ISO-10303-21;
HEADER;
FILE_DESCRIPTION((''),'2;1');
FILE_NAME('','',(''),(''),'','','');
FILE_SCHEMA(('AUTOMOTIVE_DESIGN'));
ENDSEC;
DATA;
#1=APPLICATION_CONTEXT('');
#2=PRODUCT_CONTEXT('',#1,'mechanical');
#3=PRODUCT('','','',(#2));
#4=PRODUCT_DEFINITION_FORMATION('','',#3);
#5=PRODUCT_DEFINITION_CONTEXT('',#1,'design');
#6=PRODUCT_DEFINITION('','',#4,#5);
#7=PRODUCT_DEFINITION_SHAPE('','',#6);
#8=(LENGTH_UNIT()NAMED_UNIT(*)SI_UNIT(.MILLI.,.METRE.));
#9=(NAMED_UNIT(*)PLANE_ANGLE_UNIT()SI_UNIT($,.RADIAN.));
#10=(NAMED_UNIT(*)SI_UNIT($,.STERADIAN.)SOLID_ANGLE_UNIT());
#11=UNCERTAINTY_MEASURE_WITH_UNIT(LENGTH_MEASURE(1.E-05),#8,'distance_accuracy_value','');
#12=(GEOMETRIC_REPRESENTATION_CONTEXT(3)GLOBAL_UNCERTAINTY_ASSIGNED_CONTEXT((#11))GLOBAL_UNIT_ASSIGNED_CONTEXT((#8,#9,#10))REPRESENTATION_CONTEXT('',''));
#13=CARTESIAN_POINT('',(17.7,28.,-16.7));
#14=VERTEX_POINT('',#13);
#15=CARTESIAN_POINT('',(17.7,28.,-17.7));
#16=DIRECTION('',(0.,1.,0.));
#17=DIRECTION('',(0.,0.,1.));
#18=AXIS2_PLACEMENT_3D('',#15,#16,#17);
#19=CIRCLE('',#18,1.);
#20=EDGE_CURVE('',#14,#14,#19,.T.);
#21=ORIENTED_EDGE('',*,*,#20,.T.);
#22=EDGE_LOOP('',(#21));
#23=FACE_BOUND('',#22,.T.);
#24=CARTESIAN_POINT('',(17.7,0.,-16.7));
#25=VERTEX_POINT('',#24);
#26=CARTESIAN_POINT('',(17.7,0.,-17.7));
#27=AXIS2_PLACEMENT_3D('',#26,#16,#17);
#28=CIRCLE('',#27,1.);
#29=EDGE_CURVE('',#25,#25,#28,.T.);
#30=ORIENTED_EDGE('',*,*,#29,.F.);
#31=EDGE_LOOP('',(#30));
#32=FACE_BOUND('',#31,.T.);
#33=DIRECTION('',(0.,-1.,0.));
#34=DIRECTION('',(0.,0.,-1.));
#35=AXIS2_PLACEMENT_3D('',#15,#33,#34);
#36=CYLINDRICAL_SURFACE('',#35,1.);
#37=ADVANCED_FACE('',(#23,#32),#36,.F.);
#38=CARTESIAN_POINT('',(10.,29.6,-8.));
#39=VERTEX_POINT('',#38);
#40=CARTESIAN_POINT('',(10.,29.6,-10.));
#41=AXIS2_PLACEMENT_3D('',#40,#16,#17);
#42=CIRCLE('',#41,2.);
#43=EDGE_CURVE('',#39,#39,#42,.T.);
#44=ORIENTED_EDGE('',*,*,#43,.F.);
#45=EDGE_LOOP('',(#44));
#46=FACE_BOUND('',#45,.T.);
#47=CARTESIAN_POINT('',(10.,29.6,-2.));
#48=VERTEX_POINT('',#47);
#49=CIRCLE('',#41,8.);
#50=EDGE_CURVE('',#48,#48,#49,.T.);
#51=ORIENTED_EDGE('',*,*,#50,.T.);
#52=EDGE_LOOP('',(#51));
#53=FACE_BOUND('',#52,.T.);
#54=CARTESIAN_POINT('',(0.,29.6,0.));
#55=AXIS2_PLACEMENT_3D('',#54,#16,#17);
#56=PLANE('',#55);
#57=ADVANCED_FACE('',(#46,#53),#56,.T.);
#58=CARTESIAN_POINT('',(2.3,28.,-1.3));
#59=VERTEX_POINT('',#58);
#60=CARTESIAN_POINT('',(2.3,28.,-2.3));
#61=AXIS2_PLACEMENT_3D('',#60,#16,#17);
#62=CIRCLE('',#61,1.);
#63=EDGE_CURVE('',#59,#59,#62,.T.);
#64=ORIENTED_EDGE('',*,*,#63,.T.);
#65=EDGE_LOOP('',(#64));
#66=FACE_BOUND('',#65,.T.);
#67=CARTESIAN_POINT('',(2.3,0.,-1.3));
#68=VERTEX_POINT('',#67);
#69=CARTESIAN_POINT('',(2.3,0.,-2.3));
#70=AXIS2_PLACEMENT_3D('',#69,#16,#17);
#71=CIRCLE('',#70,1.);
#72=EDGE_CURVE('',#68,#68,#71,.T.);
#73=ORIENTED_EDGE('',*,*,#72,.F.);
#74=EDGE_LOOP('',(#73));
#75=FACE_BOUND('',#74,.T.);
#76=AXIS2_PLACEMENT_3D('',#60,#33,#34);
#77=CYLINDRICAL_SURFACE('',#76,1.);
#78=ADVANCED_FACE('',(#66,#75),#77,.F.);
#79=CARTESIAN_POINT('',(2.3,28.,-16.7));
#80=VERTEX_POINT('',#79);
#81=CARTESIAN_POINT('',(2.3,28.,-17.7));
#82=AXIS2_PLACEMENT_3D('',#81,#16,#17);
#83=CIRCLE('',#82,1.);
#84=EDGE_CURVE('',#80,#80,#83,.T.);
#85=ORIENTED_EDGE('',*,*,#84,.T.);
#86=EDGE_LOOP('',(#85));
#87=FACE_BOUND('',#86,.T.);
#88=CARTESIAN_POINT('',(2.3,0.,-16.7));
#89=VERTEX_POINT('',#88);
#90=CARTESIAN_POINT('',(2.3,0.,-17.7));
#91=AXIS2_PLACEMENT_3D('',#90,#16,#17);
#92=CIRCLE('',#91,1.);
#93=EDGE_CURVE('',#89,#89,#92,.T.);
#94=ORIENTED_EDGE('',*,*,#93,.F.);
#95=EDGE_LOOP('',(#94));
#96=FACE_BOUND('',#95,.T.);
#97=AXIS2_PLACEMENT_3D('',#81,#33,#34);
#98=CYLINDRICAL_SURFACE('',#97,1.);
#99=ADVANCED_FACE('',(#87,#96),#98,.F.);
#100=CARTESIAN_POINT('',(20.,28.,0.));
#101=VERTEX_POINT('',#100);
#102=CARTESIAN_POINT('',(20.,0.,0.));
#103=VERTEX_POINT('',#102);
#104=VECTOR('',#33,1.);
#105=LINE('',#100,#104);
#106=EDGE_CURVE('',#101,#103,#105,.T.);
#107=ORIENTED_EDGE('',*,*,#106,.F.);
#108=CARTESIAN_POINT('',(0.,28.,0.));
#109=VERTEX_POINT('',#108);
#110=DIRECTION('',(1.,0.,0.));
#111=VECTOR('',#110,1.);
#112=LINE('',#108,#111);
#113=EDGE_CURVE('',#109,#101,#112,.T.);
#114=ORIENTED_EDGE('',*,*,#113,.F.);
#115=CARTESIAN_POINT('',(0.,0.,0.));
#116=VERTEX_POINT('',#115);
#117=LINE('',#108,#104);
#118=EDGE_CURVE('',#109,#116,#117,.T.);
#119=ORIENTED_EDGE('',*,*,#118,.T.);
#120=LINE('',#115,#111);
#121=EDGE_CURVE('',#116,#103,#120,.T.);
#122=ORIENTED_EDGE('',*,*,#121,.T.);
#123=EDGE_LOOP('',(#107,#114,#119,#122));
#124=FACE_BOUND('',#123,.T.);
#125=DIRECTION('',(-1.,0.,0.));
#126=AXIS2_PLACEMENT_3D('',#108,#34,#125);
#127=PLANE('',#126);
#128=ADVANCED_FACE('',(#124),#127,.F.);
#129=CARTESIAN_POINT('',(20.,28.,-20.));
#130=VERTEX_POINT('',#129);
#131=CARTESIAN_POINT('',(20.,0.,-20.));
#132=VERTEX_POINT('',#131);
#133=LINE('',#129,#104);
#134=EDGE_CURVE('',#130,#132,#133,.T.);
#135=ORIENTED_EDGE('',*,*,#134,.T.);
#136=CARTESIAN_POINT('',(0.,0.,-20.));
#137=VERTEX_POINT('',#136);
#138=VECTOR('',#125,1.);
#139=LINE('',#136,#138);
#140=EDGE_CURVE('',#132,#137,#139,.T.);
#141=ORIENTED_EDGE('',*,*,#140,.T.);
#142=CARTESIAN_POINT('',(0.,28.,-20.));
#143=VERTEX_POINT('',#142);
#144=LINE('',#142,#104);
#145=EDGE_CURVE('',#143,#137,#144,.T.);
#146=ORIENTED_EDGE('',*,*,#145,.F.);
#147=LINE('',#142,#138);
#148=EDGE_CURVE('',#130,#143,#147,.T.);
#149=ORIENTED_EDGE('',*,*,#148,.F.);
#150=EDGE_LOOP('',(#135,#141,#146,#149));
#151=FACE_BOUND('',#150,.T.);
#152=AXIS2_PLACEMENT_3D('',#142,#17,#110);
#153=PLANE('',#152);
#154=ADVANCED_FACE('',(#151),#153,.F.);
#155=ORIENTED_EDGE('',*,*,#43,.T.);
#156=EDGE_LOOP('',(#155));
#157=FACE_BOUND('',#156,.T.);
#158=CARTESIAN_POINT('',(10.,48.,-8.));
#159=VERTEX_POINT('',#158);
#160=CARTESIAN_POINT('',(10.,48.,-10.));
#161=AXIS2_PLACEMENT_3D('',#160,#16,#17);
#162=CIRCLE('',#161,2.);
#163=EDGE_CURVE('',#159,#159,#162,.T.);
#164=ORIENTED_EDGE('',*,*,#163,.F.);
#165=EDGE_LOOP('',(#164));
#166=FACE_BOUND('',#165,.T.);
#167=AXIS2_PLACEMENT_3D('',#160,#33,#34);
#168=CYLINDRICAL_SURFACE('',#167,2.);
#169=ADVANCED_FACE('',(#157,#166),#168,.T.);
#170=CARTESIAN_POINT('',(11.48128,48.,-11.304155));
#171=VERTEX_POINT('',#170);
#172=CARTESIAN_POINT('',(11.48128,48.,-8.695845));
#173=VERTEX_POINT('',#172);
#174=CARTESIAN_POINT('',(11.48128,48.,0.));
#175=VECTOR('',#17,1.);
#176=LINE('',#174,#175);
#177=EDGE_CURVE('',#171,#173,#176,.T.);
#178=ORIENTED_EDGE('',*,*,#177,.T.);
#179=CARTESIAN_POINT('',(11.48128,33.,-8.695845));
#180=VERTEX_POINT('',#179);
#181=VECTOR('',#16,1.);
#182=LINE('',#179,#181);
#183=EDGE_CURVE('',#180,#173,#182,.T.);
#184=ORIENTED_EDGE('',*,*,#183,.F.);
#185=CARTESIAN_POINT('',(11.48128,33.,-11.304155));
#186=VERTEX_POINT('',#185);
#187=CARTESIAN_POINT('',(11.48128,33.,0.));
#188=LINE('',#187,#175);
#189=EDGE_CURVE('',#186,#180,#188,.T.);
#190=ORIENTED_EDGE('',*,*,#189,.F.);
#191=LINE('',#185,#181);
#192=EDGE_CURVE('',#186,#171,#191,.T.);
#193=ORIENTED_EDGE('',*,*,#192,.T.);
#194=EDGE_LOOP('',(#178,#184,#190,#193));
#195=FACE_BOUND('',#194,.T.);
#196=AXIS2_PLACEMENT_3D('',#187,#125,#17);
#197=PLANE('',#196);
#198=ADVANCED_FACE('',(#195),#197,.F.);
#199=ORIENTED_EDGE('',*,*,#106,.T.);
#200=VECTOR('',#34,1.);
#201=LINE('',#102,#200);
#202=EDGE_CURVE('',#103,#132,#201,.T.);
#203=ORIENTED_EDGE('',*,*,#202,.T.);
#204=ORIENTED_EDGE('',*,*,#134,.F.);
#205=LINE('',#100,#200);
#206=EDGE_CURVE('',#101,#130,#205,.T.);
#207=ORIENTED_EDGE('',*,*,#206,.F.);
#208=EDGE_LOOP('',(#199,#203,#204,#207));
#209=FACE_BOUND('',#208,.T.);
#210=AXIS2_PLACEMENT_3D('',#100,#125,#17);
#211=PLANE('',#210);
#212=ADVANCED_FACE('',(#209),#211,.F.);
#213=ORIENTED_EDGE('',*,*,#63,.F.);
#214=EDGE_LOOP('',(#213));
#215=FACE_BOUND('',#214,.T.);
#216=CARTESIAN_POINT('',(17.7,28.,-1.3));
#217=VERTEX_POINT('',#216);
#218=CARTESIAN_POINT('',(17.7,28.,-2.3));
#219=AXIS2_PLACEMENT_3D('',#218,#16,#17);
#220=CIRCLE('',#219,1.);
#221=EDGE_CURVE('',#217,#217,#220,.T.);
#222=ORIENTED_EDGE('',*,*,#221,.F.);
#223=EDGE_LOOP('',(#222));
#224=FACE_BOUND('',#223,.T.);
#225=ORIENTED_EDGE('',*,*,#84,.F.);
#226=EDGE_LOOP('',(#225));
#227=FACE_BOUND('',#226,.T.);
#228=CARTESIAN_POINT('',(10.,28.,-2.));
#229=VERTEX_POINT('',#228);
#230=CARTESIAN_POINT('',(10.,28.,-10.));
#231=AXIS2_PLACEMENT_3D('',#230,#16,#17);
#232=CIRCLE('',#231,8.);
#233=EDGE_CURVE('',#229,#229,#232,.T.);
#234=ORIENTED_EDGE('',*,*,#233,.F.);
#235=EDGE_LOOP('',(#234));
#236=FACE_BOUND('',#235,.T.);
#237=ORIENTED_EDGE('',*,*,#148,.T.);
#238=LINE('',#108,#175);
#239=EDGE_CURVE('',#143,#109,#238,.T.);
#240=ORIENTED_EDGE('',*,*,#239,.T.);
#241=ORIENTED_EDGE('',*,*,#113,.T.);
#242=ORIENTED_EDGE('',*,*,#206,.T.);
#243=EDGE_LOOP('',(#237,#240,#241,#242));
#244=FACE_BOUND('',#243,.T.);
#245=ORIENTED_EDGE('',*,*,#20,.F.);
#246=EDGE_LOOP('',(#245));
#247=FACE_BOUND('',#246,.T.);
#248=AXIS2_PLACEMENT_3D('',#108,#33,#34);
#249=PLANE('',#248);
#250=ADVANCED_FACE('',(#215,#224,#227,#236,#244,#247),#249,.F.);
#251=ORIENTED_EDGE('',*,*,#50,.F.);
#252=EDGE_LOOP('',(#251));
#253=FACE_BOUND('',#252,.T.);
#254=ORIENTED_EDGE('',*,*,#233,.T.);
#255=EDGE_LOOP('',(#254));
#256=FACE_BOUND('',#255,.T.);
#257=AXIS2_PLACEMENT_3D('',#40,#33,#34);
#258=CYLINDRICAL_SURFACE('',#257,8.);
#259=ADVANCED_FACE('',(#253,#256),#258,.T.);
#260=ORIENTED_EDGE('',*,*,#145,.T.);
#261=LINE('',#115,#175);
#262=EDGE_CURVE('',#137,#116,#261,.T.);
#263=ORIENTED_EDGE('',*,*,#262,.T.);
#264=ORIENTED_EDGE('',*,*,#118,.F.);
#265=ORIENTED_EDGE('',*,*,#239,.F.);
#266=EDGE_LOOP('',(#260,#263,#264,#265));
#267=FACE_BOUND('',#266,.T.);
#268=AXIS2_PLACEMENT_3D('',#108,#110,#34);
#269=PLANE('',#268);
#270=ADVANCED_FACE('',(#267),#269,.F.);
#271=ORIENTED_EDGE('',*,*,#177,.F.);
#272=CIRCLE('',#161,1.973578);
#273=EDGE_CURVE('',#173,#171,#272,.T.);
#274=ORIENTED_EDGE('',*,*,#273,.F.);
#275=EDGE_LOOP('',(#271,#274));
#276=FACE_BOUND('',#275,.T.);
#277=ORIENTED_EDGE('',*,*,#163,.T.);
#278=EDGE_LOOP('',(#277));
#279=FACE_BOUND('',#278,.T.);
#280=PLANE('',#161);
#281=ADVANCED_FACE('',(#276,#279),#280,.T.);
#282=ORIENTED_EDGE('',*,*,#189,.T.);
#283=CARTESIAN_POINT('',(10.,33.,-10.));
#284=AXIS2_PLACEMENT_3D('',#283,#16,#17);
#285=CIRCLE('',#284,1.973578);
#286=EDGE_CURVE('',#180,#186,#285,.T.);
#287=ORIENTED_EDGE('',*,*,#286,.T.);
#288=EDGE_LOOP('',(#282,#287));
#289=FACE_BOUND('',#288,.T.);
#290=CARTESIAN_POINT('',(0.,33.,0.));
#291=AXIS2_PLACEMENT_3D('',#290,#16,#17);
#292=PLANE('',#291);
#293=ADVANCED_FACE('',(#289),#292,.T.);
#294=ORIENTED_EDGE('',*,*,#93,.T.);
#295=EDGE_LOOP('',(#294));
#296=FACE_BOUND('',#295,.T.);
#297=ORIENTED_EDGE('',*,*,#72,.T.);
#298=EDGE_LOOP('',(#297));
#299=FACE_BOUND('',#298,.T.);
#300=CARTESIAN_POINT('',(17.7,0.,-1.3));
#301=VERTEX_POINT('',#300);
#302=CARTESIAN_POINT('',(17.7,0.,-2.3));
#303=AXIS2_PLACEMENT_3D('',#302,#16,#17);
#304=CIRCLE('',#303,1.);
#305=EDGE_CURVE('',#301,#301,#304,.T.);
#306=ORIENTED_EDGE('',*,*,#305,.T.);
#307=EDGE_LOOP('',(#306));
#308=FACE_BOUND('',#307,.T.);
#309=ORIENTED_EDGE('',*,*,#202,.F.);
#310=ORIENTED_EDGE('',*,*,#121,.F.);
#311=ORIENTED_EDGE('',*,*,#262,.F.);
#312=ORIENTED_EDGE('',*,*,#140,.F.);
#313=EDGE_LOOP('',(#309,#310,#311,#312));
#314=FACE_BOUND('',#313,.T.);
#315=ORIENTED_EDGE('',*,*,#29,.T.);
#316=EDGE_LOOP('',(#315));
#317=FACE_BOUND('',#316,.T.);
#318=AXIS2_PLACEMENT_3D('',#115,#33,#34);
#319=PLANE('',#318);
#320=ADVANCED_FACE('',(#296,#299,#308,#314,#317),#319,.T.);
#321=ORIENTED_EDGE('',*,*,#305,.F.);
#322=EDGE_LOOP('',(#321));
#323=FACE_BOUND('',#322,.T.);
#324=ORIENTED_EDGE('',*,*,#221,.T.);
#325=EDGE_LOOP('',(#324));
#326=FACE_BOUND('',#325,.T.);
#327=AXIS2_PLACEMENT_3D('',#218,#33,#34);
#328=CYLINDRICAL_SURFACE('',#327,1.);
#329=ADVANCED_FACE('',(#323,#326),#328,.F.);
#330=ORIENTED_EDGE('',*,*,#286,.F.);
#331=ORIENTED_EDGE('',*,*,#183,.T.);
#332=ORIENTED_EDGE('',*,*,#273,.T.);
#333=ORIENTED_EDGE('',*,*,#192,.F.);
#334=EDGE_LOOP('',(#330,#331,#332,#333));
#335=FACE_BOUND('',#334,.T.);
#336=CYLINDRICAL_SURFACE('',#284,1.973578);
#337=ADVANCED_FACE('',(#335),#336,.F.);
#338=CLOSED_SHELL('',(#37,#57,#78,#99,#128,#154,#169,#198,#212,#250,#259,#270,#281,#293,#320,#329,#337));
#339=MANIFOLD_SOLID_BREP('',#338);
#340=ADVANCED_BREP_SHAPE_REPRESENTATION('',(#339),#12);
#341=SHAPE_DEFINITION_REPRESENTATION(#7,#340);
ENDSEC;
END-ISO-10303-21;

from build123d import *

# Parameters (mm, degrees)
SKETCH_1_W          = 20
SKETCH_1_H          = 20
SKETCH_1_R          = 1
EXTRUDE_1_DEPTH     = 28
EXTRUDE_2_DEPTH     = 1.6
SKETCH_3_R          = 2
EXTRUDE_3_DEPTH     = 18.4
CUT_EXTRUDE_1_DEPTH = 15


with BuildPart() as part:
    # 草图1 → 凸台-拉伸1 (new body)
    with BuildSketch(Plane(origin=(0, 0, 0), x_dir=(1, 0, 0), z_dir=(0, 1, 0))):
        with Locations((10, 10)):
            Rectangle(SKETCH_1_W, SKETCH_1_H)
        with Locations(Location((17.7, 2.3, 0), (0, 0, 270))):
            Circle(SKETCH_1_R, mode=Mode.SUBTRACT)
        with Locations(Location((17.7, 17.7, 0), (0, 0, 270))):
            Circle(SKETCH_1_R, mode=Mode.SUBTRACT)
        with Locations(Location((2.3, 17.7, 0), (0, 0, 270))):
            Circle(SKETCH_1_R, mode=Mode.SUBTRACT)
        with Locations(Location((2.3, 2.3, 0), (0, 0, 270))):
            Circle(SKETCH_1_R, mode=Mode.SUBTRACT)
    extrude(amount=EXTRUDE_1_DEPTH)

    # 草图2 → 凸台-拉伸2 (add)
    with BuildSketch(Plane(origin=(0, 28, 0), x_dir=(1, 0, 0), z_dir=(0, 1, 0))):
        with BuildLine():
            ThreePointArc((2, 10), (10, 2), (18, 10))
            Line((18, 10), (2, 10))
        make_face()
        with BuildLine():
            Line((2, 10), (18, 10))
            ThreePointArc((18, 10), (10, 18), (2, 10))
        make_face()
    extrude(amount=EXTRUDE_2_DEPTH)

    # 草图3 → 凸台-拉伸3 (add)
    with BuildSketch(Plane(origin=(0, 29.6, 0), x_dir=(1, 0, 0), z_dir=(0, 1, 0))):
        with Locations(Location((10, 10, 0), (0, 0, 270))):
            Circle(SKETCH_3_R)
    extrude(amount=EXTRUDE_3_DEPTH)

    # 草图4 → 切除-拉伸1 (cut)
    with BuildSketch(Plane(origin=(0, 48, 0), x_dir=(1, 0, 0), z_dir=(0, 1, 0))):
        with BuildLine():
            Line((11.481279617, 11.304155273), (11.481279617, 10))
            Line((11.481279617, 10), (11.481279617, 8.695844727))
            ThreePointArc((11.481279617, 8.695844727), (11.846406131, 9.303010274), (11.97357804, 10))
            ThreePointArc((11.97357804, 10), (11.846406131, 10.696989726), (11.481279617, 11.304155273))
        make_face()
    extrude(amount=-CUT_EXTRUDE_1_DEPTH, mode=Mode.SUBTRACT)


solid = part.part
